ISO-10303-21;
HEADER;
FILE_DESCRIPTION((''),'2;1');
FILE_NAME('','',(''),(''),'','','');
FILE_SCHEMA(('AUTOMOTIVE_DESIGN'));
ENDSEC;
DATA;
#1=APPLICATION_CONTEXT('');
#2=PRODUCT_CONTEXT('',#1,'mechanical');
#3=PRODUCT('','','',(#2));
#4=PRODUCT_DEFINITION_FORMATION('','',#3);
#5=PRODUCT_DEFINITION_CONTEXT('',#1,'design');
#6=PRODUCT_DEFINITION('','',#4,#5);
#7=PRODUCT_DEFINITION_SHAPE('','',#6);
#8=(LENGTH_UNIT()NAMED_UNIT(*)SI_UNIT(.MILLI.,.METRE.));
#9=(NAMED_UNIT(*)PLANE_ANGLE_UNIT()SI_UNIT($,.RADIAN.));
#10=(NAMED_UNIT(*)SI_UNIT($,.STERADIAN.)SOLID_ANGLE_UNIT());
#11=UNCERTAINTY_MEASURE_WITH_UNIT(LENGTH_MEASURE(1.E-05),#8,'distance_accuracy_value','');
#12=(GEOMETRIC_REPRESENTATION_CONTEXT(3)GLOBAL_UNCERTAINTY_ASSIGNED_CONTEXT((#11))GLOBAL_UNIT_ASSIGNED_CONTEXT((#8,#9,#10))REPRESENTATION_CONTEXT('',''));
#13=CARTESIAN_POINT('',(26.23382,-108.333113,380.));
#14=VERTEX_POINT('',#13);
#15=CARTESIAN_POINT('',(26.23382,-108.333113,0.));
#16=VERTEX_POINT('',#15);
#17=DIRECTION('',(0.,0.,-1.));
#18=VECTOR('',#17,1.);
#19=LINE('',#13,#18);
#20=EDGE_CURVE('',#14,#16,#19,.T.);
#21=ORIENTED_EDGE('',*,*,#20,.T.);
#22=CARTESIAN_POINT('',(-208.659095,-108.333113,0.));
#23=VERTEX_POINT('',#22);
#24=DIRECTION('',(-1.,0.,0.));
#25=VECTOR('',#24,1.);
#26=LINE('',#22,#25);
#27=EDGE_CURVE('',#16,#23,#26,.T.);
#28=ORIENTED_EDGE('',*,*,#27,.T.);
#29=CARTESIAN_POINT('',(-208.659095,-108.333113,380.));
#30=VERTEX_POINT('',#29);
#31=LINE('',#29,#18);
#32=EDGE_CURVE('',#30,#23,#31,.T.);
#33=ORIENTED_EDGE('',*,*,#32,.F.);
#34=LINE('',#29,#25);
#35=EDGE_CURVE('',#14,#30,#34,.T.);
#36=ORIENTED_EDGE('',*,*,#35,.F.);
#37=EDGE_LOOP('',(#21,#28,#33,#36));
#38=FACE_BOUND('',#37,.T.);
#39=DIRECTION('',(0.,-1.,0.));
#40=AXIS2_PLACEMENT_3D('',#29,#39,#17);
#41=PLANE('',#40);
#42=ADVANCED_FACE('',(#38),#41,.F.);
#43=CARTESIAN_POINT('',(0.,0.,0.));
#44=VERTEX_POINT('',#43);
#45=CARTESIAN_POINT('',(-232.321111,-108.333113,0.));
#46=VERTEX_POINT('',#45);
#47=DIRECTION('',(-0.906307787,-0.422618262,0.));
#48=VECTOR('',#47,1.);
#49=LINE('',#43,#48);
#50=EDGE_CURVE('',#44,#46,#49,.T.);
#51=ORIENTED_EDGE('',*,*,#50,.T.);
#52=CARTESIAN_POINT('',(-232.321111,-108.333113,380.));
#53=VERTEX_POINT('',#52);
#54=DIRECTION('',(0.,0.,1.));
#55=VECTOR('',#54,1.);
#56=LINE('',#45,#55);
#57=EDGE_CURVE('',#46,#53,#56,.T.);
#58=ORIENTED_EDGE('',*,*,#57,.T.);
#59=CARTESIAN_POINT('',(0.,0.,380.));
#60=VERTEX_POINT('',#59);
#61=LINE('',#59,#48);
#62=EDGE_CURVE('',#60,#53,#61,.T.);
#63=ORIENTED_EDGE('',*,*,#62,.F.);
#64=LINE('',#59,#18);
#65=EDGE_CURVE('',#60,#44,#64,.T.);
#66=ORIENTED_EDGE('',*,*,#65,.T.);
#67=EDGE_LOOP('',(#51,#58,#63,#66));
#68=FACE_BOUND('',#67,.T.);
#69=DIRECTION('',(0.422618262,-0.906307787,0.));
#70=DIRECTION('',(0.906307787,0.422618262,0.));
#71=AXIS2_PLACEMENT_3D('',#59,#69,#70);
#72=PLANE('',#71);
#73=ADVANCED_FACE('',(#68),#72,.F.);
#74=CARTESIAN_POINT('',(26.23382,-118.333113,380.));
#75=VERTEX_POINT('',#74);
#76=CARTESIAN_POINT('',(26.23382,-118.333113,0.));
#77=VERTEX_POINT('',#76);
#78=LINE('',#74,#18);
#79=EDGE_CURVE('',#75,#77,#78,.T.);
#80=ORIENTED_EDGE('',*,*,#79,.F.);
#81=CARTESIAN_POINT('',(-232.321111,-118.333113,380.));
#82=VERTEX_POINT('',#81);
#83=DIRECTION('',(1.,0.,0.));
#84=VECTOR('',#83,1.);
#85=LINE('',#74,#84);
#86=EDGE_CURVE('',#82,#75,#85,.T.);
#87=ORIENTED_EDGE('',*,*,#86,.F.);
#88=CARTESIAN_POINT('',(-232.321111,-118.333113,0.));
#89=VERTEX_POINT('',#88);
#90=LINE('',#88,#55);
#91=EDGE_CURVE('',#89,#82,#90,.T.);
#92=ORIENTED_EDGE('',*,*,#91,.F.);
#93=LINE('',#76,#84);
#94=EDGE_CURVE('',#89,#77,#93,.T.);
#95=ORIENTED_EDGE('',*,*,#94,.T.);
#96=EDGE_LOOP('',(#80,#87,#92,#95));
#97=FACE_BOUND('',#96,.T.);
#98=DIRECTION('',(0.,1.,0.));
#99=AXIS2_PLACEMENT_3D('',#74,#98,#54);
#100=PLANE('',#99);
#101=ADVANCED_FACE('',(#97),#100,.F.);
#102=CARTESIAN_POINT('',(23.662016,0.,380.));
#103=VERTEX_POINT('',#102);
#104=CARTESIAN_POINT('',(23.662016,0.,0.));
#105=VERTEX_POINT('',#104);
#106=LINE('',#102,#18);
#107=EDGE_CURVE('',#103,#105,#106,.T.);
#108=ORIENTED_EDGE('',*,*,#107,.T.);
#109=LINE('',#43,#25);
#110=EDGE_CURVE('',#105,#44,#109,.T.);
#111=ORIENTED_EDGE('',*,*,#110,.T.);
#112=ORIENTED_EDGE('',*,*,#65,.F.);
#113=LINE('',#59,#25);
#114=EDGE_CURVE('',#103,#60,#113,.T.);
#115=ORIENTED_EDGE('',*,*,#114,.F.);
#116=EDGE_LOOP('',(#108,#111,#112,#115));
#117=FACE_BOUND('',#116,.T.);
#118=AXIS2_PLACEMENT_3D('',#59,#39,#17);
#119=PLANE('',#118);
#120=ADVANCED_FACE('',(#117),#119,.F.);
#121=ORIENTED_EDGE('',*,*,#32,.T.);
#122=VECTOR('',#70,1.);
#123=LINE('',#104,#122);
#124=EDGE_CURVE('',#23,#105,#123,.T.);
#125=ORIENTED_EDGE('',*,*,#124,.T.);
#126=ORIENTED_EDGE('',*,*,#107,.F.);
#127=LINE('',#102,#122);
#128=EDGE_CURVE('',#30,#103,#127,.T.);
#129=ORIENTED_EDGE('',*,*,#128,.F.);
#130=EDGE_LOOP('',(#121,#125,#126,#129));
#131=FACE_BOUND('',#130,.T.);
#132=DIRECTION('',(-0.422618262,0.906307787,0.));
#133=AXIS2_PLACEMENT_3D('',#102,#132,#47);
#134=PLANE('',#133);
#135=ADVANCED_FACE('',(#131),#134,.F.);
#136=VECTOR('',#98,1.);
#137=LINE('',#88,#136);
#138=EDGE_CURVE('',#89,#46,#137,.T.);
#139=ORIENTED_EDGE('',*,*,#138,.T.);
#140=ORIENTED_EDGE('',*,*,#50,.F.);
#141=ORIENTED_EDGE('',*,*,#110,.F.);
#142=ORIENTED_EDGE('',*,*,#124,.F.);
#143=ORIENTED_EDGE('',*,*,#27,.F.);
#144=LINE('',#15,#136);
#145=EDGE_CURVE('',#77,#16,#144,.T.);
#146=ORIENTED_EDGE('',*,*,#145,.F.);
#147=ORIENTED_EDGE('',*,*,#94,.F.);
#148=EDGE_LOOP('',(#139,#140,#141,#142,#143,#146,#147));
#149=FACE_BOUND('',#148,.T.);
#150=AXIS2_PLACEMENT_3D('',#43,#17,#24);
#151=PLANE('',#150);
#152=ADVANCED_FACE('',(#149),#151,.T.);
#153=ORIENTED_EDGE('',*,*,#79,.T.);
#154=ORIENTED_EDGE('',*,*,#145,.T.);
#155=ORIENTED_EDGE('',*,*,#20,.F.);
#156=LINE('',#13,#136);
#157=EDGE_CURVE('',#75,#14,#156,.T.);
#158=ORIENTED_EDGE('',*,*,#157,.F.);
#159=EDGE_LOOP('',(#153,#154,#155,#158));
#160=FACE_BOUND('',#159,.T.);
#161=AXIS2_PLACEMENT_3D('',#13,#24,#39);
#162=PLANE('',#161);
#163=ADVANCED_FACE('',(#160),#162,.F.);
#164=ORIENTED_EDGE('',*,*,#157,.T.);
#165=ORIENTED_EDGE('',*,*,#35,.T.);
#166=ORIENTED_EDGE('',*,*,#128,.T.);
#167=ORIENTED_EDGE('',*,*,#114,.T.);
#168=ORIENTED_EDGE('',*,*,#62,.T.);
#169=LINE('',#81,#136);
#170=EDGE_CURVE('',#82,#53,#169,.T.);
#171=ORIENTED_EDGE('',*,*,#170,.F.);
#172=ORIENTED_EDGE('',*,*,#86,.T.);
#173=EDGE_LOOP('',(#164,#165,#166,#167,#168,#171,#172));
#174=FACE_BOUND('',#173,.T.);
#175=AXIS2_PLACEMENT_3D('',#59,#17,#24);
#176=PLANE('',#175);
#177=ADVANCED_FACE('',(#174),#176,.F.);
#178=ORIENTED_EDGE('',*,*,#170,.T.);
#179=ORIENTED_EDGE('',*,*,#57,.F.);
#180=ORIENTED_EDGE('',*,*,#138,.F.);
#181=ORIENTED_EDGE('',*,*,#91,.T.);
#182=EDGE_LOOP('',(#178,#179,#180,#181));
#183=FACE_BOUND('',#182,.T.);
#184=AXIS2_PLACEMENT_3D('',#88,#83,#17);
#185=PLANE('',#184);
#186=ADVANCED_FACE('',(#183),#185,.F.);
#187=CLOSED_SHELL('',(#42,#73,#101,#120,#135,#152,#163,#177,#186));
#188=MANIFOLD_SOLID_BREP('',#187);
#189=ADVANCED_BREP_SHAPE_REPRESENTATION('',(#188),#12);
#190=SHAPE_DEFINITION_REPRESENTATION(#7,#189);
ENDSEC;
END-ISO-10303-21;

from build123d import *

# Parameters (mm, degrees)
EXTRUDE_1_DEPTH     = 380
CUT_EXTRUDE_1_DEPTH = 473.016948848


with BuildPart() as part:
    # 草图2 → 凸台-拉伸1 (new body)
    with BuildSketch(Plane.XY):
        Polygon((0, 0), (-253.76618037, -118.333113287), (26.23381963, -118.333113287), (26.23381963, -108.333113287), (-208.659095334, -108.333113287), (23.662015832, 0), align=None)
    extrude(amount=EXTRUDE_1_DEPTH)

    # 草图3 → 切除-拉伸1 (cut, through all)
    with BuildSketch(Plane.XY.offset(380)):
        Polygon((-232.321111165, -108.333113287), (-253.76618037, -118.333113287), (-232.321111165, -118.333113287), align=None)
    extrude(amount=-CUT_EXTRUDE_1_DEPTH, mode=Mode.SUBTRACT)


solid = part.part
